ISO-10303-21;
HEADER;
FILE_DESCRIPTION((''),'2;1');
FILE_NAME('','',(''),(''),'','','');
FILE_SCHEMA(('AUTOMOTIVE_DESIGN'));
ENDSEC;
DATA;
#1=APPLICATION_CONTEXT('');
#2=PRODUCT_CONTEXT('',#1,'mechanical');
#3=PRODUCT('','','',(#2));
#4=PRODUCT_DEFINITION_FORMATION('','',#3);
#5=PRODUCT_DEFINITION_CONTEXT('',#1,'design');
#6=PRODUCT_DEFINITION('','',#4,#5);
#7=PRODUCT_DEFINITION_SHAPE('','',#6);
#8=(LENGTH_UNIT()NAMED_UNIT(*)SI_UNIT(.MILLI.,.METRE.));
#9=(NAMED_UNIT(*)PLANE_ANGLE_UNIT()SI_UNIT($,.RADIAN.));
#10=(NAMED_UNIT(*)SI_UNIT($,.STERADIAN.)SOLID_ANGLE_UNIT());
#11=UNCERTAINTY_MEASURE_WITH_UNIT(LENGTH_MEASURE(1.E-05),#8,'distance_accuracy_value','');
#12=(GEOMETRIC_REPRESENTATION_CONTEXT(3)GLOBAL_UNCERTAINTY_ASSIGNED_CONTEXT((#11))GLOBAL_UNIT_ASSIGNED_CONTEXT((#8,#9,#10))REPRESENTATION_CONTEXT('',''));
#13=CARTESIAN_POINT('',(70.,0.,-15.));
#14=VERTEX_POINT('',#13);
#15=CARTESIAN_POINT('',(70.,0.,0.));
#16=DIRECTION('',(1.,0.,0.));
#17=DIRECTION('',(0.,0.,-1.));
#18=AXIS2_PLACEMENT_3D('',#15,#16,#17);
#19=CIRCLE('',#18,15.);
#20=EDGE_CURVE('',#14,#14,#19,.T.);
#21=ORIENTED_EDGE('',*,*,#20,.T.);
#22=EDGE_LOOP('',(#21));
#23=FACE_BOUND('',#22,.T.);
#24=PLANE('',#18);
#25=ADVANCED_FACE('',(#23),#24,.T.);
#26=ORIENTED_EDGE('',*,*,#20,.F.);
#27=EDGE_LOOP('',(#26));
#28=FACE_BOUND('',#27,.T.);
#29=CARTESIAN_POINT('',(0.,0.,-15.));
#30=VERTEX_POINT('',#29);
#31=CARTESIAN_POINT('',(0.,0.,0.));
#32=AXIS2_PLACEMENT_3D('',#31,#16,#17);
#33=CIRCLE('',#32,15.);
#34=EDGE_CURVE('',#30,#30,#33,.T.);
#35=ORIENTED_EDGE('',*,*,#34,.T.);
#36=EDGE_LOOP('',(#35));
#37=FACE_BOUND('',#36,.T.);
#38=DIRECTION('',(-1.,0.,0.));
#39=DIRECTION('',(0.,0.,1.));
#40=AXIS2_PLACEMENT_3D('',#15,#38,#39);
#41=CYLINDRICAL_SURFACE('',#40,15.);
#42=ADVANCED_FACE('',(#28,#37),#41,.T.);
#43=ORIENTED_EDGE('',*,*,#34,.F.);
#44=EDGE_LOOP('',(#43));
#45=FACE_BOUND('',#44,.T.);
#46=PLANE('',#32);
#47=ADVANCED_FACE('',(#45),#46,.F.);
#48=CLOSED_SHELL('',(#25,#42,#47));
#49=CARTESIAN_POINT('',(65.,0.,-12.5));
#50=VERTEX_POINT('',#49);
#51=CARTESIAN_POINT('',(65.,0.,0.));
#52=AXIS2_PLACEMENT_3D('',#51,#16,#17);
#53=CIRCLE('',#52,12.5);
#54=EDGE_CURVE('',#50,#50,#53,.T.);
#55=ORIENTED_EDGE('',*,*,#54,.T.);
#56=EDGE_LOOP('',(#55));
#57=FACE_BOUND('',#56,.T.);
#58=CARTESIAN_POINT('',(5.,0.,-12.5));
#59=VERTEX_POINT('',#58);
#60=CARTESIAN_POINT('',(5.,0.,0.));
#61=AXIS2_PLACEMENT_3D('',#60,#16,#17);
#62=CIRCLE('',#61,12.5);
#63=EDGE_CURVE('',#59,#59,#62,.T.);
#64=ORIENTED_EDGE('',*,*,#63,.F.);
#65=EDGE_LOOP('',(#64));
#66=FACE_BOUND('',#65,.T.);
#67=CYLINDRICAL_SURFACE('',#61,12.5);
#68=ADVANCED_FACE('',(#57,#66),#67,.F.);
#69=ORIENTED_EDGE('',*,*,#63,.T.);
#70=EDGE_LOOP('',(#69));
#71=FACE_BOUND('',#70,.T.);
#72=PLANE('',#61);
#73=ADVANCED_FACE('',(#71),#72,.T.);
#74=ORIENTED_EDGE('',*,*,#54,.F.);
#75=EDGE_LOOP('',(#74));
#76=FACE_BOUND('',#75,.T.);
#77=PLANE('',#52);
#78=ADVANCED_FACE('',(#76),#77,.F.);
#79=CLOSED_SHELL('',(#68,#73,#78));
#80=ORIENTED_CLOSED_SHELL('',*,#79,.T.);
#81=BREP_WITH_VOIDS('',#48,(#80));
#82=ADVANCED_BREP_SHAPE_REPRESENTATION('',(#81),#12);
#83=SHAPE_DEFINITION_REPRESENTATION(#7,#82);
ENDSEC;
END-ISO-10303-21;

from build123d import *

# Parameters (mm, degrees)
SKETCH3_R             = 15
BOSS_EXTRUDE1_DEPTH   = 70
IZIM2_R               = 12.5
KES_EKSTR_ZYON1_DEPTH = 60


with BuildPart() as part:
    # Sketch3 → Boss-Extrude1 (new body)
    with BuildSketch(Plane(origin=(0, 0, 0), x_dir=(0, 0, -1), z_dir=(1, 0, 0))):
        Circle(SKETCH3_R)
    extrude(amount=BOSS_EXTRUDE1_DEPTH)

    # Çizim2 → Kes-Ekstrüzyon1 (cut)
    with BuildSketch(Plane(origin=(65, 0, 0), x_dir=(0, 0, -1), z_dir=(1, 0, 0))):
        Circle(IZIM2_R)
    extrude(amount=-KES_EKSTR_ZYON1_DEPTH, mode=Mode.SUBTRACT)


solid = part.part
